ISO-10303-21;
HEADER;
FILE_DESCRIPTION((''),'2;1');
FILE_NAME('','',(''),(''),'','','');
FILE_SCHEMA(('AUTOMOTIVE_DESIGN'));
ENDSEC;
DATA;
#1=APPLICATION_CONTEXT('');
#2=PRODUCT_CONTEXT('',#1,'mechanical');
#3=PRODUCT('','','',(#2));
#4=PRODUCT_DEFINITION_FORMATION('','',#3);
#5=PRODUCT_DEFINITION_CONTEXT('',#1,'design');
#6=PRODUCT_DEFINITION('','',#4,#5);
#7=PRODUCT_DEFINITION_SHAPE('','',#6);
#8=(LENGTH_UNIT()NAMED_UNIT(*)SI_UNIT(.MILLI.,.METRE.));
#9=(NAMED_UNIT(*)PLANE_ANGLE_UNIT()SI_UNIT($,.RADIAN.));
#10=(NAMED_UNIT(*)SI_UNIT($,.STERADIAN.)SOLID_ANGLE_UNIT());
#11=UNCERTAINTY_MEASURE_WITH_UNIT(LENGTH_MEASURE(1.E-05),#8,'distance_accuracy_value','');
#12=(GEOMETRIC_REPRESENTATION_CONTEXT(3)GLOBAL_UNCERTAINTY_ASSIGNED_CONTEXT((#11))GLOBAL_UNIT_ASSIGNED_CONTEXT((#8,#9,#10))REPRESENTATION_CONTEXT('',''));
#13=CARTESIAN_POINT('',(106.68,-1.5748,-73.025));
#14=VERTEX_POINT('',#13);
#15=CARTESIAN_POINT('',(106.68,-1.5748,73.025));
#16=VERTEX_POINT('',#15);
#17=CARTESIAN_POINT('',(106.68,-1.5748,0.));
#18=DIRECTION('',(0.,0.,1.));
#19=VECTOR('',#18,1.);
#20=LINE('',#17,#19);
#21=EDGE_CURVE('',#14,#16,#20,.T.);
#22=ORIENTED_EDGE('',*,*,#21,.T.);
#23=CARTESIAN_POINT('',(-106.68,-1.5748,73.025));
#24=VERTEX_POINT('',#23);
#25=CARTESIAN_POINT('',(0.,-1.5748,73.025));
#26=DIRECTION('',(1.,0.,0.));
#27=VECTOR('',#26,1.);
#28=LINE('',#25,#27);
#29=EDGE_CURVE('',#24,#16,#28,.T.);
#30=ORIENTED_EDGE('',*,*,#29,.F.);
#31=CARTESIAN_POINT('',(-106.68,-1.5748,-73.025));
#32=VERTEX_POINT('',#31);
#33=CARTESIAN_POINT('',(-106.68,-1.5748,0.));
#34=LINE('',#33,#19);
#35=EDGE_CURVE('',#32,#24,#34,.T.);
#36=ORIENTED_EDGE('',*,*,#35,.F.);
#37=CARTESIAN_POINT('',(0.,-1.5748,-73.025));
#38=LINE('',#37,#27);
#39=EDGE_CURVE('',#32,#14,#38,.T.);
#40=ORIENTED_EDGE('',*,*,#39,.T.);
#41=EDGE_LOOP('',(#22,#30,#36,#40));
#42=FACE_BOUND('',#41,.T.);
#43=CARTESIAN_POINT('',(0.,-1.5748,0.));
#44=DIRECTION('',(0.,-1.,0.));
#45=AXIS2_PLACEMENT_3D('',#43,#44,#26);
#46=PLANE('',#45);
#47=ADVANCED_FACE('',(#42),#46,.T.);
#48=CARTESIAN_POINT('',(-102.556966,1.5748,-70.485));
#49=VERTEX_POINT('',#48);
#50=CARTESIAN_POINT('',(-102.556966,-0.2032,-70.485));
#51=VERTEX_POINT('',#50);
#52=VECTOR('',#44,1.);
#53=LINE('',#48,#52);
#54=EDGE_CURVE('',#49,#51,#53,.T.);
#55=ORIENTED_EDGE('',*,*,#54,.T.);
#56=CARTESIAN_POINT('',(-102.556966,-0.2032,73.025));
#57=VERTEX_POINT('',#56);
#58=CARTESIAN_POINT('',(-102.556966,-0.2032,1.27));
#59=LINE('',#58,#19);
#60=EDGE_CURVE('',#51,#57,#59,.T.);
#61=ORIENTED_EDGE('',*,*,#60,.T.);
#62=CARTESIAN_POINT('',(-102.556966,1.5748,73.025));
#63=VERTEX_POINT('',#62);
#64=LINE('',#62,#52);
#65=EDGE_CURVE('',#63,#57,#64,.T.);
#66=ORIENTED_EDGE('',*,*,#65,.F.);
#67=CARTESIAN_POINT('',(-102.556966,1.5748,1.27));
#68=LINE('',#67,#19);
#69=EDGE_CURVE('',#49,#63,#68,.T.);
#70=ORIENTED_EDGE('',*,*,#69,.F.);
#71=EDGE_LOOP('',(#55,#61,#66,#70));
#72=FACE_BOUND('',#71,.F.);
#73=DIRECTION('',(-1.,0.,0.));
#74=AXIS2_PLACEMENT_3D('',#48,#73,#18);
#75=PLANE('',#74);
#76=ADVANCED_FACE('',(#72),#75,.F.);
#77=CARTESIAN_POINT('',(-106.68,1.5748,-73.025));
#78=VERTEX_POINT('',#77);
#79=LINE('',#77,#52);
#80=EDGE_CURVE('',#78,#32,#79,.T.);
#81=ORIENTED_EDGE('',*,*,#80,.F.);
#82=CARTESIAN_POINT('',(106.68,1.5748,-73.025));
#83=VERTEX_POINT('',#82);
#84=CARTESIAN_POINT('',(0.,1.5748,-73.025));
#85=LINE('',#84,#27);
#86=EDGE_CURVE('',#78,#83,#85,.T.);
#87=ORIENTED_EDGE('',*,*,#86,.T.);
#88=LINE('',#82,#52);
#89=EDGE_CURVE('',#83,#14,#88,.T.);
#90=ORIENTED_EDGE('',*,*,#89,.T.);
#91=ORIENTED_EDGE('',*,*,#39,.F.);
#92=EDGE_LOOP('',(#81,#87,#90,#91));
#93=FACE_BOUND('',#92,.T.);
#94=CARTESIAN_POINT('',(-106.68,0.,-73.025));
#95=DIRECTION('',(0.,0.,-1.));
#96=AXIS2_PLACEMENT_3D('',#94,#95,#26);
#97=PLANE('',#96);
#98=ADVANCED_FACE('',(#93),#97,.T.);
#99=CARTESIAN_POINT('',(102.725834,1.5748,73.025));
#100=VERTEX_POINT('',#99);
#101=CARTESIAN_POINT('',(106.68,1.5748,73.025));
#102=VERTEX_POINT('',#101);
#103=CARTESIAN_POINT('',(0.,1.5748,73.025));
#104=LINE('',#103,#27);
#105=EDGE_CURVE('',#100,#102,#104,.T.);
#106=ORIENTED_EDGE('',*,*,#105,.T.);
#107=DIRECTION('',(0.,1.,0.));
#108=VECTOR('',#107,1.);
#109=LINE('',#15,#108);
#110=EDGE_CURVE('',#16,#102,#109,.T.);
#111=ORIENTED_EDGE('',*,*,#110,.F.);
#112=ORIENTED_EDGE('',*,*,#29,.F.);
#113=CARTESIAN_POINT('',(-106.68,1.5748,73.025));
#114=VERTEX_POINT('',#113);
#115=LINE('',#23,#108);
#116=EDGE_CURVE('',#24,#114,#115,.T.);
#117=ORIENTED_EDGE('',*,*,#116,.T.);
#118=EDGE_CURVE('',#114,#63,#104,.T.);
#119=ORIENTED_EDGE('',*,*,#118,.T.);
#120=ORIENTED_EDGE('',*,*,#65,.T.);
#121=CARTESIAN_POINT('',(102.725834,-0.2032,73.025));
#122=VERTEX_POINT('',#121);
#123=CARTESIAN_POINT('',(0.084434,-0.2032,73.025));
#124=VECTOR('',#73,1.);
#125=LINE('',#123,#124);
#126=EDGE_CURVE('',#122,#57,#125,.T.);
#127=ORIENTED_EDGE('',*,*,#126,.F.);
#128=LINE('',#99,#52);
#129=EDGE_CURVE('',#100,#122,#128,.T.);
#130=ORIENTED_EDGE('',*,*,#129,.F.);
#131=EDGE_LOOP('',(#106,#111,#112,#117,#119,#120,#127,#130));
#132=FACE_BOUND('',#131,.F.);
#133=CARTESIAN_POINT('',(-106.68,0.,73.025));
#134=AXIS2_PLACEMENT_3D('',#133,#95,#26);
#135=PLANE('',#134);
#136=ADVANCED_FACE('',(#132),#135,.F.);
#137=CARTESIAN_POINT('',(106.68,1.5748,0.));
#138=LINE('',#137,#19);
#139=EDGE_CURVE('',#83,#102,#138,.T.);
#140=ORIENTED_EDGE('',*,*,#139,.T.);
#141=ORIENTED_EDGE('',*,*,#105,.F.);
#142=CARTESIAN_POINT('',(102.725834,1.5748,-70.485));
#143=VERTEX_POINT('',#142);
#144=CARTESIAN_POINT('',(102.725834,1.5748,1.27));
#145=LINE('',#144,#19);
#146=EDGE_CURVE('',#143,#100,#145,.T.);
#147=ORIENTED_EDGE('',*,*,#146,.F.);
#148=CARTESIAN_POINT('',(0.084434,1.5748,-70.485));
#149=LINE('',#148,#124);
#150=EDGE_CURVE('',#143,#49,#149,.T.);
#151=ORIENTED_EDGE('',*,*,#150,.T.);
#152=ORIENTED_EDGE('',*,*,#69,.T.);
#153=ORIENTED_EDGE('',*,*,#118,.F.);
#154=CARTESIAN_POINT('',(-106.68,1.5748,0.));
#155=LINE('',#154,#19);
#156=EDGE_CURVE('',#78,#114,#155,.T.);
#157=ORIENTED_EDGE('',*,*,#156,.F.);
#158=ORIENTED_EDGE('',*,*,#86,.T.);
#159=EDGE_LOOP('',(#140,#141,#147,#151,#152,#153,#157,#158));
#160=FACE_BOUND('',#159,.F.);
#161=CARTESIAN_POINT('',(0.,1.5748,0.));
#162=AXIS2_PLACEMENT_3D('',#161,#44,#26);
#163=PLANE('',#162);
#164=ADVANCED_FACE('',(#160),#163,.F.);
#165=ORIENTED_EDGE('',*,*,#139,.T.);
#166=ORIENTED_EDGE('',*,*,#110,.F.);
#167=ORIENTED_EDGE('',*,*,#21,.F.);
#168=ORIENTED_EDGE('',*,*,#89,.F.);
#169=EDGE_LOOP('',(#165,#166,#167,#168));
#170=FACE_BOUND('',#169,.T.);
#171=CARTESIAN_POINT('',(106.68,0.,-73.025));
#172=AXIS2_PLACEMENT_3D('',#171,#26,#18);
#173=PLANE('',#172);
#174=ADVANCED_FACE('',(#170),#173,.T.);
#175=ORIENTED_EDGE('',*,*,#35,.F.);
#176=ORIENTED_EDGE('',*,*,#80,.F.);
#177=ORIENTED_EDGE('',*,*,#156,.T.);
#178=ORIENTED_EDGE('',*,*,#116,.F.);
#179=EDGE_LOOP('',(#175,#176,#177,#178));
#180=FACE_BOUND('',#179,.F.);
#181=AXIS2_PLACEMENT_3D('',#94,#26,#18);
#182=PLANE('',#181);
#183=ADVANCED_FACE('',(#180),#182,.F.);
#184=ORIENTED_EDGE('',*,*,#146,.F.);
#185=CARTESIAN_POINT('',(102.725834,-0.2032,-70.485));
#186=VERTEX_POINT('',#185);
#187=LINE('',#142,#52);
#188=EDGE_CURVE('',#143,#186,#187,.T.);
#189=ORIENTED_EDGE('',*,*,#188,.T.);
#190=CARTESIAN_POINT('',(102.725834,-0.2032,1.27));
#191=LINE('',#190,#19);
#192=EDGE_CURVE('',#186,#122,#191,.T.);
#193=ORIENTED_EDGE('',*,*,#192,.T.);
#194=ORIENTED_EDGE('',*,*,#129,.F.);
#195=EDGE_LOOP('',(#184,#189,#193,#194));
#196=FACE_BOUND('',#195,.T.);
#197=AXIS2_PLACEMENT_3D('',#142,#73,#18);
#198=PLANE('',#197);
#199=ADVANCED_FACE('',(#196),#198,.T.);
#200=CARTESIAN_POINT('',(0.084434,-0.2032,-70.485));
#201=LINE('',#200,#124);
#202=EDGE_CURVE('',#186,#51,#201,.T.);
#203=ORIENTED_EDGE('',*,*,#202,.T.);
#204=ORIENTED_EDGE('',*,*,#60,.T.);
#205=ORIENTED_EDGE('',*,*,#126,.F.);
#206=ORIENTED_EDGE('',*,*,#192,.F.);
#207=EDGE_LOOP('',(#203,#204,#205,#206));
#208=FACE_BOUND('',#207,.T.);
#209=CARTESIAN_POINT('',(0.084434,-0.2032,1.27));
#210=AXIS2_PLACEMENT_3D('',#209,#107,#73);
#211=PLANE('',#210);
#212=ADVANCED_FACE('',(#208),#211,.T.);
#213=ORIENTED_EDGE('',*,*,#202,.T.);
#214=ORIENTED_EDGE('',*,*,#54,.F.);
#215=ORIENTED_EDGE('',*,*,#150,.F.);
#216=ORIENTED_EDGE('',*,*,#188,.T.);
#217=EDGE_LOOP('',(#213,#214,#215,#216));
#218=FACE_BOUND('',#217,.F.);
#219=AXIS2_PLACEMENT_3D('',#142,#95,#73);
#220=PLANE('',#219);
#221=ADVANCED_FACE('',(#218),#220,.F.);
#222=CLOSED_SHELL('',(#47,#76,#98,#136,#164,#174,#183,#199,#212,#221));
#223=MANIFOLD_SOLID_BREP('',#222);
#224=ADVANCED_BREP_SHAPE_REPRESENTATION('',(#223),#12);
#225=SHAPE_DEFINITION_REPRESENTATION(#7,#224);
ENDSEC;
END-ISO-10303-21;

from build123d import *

# Parameters (mm, degrees)
F0_W     = 213.36
F0_H     = 146.05
F1_DEPTH = 1.5748
F2_W     = 205.2828
F2_H     = 143.51
F3_DEPTH = 1.778


with BuildPart() as f1:
    # F0 (on Front) → F1 (new body, symmetric)
    with BuildSketch(Plane.XZ):
        Rectangle(F0_W, F0_H)
    extrude(amount=F1_DEPTH, both=True)

    # F2 (on face) → F3 (cut)
    with BuildSketch(Plane(origin=(0, 1.5748, 0), x_dir=(-1, 0, 0), z_dir=(0, 1, 0))):
        with Locations((-0.084434, 1.27)):
            Rectangle(F2_W, F2_H)
    extrude(amount=-F3_DEPTH, mode=Mode.SUBTRACT)


solid = f1.part
